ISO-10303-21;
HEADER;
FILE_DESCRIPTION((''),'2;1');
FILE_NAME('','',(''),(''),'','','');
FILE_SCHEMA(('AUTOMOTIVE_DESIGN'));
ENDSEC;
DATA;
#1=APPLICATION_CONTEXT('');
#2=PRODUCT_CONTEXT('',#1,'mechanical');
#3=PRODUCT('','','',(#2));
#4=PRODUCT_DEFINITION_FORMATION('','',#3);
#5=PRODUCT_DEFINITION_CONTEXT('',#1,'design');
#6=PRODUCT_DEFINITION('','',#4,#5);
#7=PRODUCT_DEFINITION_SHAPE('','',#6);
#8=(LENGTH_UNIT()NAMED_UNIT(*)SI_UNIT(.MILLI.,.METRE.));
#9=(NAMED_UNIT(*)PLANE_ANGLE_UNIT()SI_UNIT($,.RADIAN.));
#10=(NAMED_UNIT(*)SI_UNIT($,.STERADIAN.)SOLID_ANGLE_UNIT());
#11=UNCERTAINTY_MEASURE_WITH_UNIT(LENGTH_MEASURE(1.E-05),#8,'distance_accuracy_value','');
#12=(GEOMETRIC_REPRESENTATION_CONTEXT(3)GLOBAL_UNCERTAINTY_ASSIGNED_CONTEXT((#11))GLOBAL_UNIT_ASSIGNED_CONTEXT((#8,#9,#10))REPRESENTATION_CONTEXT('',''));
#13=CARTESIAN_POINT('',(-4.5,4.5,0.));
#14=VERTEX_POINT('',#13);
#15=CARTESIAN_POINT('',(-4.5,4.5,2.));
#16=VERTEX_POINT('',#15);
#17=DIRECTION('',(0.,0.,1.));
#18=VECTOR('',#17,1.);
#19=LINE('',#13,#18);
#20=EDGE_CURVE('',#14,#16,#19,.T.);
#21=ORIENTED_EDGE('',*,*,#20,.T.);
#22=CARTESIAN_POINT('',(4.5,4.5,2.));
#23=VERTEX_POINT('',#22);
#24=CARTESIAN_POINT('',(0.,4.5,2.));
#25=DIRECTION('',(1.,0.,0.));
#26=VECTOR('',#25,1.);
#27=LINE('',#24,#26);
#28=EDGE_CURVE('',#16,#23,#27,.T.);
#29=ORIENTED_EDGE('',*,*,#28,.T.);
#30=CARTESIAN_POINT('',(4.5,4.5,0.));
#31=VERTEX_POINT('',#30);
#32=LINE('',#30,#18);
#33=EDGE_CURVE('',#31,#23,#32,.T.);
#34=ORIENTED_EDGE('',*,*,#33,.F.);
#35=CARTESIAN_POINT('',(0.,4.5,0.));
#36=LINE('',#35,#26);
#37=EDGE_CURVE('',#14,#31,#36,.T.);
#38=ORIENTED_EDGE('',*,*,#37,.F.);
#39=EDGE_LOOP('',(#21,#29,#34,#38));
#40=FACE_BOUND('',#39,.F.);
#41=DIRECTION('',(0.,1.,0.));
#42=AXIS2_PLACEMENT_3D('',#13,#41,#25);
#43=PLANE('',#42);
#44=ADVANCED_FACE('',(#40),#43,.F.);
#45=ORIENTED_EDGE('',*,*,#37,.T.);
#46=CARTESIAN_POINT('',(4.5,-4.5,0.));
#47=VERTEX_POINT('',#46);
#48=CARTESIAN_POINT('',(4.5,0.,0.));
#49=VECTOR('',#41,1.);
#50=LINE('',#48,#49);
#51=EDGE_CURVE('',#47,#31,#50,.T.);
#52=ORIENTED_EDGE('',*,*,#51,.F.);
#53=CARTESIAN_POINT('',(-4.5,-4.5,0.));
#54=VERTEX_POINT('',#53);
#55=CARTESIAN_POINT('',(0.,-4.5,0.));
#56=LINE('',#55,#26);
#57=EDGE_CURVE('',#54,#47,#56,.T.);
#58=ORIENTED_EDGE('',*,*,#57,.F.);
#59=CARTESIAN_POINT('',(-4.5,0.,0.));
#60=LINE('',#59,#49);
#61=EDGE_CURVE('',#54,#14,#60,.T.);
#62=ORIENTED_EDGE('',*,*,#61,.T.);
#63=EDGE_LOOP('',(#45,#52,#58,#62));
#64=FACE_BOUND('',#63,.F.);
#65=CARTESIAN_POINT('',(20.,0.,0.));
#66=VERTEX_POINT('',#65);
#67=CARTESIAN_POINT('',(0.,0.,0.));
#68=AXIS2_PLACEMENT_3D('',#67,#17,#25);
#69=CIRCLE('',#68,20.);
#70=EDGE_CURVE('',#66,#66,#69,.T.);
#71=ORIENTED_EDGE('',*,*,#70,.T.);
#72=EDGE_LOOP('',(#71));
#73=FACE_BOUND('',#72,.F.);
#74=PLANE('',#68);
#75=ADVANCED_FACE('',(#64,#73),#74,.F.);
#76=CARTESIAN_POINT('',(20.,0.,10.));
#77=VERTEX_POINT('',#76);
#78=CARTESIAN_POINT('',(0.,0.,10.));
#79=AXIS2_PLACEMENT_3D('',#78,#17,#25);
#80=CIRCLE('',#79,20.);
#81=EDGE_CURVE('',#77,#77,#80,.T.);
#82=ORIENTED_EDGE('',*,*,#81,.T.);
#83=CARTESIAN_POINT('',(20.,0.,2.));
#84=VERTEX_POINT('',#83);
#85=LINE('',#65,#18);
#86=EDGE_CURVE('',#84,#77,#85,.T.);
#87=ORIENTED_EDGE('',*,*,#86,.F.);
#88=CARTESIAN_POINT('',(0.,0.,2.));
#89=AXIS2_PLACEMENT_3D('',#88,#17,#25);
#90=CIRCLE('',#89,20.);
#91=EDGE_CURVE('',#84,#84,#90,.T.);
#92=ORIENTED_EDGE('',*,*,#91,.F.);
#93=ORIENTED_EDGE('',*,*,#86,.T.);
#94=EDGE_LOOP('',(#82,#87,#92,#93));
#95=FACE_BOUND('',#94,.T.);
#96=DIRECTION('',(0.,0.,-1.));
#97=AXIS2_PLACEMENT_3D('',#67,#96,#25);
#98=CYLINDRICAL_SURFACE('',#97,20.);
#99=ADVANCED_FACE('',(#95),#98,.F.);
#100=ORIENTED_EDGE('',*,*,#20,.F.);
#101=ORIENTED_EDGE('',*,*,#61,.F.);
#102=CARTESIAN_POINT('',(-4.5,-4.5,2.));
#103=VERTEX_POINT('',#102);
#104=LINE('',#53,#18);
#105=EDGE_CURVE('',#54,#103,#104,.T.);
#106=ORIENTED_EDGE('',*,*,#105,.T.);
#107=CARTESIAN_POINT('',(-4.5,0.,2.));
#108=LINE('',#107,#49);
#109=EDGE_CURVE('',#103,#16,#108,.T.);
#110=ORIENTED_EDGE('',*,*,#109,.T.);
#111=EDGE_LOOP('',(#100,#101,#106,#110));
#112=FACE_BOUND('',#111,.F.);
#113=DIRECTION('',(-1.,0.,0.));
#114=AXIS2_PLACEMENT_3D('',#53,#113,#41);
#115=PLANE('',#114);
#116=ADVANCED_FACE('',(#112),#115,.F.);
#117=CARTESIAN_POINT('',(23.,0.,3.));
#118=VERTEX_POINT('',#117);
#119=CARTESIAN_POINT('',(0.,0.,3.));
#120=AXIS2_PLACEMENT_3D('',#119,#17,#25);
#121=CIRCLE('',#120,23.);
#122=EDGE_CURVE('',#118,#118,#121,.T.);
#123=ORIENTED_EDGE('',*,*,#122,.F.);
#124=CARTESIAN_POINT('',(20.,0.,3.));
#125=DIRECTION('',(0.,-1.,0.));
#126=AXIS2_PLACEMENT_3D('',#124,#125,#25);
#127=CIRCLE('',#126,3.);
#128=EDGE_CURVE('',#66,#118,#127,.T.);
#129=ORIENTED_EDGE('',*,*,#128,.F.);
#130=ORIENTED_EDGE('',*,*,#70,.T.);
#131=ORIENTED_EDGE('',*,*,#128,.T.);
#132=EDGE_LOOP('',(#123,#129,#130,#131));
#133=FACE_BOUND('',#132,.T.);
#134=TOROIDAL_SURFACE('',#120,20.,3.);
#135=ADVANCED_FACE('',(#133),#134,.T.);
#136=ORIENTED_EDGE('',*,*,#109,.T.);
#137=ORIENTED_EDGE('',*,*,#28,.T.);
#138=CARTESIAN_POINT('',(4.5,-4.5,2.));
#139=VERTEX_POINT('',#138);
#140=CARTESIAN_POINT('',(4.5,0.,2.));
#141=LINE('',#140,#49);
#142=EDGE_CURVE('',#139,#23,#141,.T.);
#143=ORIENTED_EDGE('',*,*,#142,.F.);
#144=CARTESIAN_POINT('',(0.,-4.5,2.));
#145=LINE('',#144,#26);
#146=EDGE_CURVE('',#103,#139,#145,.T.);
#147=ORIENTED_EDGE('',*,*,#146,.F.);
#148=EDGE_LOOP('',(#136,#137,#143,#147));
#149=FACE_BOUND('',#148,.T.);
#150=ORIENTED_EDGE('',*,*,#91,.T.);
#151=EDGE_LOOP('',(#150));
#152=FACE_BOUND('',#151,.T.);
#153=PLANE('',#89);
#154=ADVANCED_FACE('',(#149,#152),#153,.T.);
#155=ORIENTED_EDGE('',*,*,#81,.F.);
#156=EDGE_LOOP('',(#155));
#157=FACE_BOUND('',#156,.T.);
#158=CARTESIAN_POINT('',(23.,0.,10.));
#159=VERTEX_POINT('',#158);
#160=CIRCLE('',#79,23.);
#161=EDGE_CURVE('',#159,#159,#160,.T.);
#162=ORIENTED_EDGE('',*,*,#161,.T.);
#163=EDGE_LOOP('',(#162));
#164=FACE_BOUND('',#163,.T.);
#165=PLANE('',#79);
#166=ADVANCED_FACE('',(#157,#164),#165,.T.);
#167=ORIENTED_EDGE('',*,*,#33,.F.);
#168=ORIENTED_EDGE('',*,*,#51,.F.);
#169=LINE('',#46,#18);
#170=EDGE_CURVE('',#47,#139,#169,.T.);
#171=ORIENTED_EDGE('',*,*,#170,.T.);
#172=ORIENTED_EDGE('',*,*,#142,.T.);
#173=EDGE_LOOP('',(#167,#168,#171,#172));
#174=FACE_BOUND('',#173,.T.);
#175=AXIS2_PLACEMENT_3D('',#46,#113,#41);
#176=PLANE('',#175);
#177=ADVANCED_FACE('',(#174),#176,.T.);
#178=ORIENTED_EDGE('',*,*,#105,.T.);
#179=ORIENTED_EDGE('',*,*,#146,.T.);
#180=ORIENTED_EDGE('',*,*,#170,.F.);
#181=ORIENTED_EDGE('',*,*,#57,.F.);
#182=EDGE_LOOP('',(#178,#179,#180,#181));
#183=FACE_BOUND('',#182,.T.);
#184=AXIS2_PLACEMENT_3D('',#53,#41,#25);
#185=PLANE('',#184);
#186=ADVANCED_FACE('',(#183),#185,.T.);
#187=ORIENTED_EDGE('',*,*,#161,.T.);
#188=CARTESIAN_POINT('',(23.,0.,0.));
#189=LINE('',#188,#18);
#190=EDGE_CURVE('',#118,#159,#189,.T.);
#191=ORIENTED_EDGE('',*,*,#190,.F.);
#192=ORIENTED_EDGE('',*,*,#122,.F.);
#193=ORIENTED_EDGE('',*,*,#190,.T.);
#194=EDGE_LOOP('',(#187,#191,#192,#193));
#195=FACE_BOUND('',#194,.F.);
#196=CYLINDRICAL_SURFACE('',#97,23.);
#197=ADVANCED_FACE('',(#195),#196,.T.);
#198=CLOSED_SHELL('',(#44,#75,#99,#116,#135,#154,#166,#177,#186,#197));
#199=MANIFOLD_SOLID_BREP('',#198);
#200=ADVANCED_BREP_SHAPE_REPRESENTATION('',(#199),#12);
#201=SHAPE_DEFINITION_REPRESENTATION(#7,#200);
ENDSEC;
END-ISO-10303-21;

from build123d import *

# Parameters (mm, degrees)
F0_R     = 23
F0_R_2   = 20
F1_DEPTH = 10
F2_R     = 20
F2_W     = 9
F2_H     = 9
F3_DEPTH = 2
F4_R     = 3


with BuildPart() as f1:
    # F0 (on Top) → F1 (new body)
    with BuildSketch(Plane.XY):
        Circle(F0_R)
        Circle(F0_R_2, mode=Mode.SUBTRACT)
    extrude(amount=F1_DEPTH)

    # F2 (on Top) → F3 (join)
    with BuildSketch(Plane.XY):
        Circle(F2_R)
        Rectangle(F2_W, F2_H, mode=Mode.SUBTRACT)
    extrude(amount=F3_DEPTH)

    # F4
    f4_edges = [f1.edges().sort_by_distance(p)[0] for p in [
        (-23, 0, 0),
    ]]
    fillet(f4_edges, radius=F4_R)


solid = f1.part
